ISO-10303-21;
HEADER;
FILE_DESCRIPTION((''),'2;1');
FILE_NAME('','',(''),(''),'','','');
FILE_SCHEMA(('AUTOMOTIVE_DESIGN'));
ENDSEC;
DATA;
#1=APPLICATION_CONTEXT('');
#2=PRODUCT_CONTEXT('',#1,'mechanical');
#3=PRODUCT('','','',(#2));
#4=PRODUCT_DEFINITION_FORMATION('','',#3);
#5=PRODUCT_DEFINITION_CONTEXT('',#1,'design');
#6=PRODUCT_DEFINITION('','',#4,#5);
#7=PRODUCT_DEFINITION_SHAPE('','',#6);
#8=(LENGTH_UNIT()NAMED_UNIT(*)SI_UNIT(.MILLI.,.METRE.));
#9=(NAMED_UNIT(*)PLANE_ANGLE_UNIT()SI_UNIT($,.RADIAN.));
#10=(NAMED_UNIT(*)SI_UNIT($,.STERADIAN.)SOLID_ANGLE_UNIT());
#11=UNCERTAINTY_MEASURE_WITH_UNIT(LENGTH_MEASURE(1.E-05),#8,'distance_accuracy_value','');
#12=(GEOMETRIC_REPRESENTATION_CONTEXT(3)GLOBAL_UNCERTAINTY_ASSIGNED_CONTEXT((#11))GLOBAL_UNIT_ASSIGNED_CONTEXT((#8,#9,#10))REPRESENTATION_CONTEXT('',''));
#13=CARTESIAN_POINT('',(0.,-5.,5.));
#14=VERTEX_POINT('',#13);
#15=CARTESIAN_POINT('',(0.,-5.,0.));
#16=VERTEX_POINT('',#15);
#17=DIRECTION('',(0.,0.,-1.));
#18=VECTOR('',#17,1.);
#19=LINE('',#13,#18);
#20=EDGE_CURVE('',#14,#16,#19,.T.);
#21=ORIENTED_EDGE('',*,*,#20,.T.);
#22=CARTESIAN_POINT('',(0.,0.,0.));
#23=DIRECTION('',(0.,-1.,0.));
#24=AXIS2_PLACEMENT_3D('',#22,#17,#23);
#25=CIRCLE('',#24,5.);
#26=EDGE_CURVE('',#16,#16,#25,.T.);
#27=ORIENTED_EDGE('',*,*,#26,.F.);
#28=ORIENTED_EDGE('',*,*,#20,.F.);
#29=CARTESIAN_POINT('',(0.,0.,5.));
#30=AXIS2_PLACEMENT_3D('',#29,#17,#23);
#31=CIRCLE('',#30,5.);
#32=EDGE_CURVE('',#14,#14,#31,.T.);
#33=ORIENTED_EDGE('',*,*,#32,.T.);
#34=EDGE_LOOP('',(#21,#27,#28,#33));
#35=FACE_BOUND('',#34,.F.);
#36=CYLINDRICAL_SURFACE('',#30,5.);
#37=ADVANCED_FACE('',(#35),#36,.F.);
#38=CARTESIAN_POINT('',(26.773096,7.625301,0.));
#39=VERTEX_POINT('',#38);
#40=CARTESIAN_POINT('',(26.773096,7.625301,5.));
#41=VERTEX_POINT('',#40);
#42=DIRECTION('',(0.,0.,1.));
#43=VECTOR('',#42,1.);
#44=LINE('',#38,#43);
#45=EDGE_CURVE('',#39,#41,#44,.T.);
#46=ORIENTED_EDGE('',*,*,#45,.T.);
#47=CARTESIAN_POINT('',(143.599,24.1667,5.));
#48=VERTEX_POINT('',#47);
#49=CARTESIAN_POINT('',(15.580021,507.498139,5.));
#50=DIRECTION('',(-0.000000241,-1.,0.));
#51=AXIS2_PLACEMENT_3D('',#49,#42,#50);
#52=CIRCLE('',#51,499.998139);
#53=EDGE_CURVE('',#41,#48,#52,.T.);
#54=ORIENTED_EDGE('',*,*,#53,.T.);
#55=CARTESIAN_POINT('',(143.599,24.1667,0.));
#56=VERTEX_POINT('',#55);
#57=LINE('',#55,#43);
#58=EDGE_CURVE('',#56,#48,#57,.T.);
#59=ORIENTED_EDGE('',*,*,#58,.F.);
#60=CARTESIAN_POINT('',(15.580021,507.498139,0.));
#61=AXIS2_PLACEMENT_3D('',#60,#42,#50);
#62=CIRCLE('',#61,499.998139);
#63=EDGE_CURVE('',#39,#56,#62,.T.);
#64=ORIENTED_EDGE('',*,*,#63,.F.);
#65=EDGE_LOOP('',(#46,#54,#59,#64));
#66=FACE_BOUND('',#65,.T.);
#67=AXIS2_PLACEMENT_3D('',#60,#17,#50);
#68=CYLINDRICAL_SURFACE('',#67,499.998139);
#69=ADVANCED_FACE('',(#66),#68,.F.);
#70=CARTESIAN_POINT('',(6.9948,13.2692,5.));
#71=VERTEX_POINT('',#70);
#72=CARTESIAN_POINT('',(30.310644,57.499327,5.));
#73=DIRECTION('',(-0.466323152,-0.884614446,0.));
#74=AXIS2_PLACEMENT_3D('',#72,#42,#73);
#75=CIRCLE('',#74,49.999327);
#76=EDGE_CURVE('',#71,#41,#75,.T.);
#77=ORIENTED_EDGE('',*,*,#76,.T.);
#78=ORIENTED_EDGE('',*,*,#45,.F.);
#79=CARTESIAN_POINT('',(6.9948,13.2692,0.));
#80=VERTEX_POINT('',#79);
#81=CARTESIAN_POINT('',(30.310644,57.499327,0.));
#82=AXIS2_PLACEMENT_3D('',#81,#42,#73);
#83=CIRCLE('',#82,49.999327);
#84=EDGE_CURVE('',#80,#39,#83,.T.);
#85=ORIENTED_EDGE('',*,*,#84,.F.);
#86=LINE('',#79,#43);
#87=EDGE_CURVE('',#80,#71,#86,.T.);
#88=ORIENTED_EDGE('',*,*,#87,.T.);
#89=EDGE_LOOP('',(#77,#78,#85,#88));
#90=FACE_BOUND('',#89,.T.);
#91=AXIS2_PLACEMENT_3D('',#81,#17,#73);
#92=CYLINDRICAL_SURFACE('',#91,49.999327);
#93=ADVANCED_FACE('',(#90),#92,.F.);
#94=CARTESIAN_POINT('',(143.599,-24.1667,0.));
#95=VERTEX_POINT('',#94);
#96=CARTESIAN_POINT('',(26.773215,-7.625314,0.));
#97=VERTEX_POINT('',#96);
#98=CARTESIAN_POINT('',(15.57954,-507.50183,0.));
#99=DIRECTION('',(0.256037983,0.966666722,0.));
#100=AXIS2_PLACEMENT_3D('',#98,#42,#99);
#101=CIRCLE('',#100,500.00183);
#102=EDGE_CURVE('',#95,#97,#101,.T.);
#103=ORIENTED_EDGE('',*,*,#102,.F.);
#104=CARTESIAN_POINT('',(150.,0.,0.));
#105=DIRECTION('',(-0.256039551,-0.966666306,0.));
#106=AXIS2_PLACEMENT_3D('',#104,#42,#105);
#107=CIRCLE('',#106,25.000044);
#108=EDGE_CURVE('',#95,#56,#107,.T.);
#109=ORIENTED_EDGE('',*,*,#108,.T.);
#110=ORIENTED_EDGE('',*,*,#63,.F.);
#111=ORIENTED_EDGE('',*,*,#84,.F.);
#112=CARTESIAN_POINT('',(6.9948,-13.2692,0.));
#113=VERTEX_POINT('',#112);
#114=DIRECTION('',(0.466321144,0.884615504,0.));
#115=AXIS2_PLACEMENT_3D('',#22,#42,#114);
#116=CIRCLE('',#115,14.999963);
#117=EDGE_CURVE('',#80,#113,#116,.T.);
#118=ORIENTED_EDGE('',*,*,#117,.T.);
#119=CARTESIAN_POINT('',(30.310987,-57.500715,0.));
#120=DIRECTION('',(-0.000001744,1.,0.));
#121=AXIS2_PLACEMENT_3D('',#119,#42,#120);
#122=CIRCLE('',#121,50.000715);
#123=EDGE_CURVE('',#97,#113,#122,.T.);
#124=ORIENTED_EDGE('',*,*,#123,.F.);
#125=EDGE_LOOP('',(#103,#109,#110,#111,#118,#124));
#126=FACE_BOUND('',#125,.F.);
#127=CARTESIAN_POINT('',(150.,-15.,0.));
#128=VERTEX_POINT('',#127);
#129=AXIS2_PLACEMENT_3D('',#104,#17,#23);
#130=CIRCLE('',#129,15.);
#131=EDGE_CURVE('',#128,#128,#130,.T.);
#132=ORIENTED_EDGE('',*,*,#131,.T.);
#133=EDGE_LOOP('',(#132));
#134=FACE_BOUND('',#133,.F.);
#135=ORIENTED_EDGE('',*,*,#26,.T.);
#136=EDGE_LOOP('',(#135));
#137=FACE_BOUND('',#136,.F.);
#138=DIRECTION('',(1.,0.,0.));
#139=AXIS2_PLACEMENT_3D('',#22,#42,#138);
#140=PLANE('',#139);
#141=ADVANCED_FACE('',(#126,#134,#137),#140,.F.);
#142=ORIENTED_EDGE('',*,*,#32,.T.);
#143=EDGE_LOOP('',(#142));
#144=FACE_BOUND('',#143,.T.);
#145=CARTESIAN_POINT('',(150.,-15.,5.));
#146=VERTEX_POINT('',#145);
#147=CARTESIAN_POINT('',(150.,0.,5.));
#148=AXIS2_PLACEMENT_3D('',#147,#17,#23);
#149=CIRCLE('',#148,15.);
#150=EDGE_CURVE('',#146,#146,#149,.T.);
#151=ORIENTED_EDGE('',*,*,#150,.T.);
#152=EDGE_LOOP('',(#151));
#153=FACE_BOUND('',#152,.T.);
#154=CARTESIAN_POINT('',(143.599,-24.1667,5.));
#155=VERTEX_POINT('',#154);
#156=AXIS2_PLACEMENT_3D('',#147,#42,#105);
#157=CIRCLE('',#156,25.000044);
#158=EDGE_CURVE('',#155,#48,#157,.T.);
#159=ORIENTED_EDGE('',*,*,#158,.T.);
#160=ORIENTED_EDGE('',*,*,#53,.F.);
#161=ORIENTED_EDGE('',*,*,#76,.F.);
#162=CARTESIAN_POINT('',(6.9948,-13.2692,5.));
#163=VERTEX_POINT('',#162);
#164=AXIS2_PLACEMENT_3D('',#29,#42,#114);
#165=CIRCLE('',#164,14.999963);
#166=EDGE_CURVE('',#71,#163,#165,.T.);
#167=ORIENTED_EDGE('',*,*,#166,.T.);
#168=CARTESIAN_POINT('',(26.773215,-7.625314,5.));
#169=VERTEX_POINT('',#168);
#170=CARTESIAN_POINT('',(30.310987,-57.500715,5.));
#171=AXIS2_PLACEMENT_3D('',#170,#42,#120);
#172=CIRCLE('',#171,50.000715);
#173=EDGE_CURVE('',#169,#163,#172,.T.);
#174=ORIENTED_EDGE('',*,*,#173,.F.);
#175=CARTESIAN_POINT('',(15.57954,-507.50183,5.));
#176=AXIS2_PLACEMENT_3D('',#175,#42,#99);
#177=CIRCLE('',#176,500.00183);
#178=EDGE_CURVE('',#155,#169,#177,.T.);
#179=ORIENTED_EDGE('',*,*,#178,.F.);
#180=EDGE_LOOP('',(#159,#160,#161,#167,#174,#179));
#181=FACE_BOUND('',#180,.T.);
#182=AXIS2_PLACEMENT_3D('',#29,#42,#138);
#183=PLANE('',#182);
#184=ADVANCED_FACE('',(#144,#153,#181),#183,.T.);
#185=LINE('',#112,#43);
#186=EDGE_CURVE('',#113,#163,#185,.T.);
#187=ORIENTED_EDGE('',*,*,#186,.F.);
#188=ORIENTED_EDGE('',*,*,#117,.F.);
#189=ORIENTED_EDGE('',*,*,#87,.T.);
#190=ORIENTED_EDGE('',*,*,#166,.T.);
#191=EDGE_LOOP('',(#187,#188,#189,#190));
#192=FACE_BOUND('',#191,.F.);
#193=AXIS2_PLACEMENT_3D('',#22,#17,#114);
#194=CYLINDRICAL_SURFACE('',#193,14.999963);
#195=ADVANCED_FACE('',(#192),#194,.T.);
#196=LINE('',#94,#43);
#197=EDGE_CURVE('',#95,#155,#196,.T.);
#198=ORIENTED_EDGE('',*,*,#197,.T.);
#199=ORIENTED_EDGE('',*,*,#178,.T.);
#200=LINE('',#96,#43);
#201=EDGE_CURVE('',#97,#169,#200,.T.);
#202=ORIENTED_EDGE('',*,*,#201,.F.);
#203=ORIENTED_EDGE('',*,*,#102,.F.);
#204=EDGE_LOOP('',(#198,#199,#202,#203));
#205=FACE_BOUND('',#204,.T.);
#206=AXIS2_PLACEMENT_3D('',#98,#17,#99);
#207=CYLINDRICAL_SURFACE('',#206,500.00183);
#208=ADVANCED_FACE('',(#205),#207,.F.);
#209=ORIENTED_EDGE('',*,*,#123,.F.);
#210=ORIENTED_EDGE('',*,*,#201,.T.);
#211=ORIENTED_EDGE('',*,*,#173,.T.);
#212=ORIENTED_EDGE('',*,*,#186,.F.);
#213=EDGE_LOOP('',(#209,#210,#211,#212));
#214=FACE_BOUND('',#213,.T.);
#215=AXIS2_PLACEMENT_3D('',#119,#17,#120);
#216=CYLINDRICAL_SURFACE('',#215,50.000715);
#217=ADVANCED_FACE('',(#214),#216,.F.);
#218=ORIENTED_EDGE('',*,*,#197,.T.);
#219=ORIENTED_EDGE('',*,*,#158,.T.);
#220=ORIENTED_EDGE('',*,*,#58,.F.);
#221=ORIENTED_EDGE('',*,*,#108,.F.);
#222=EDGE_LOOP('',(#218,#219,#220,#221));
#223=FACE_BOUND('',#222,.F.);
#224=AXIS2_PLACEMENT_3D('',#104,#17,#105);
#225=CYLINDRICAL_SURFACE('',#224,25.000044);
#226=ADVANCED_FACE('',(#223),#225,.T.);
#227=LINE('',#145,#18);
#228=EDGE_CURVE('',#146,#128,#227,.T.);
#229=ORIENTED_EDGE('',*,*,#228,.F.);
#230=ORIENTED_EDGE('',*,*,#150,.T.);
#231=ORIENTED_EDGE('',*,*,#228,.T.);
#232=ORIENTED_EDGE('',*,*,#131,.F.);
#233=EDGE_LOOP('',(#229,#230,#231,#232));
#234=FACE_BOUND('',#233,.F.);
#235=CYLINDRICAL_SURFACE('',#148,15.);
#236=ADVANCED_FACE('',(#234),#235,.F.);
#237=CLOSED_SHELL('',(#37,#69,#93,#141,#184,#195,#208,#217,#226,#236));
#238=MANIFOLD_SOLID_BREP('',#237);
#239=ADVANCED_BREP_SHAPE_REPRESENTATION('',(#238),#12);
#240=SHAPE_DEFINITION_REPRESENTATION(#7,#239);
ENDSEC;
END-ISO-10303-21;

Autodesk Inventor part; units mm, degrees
ref_plane "YZ Plane" through (0, 0, 0) normal (1, 0, 0) x (0, 1, 0)
ref_plane "XZ Plane" through (0, 0, 0) normal (0, 1, 0) x (-1, 0, 0)
ref_plane "XY Plane" through (0, 0, 0) normal (0, 0, 1) x (1, 0, 0)
sketch "Эскиз1" plane through (0, 0, 0) normal (0, 0, 1) x (1, 0, 0)
  arc A0 (6.9948, 13.2692) -> (6.9948, -13.2692) centre (0, 0) ccw
  line L0 (30.3109, 7.5) -> (15.5799, 7.5)
  line L1 (30.3109, -7.5) -> (15.5799, -7.5)
  arc A1 (143.599, -24.1667) -> (143.599, 24.1667) centre (150, 0) ccw
  arc A2 (6.9948, 13.2692) -> (30.3109, 7.5) centre (30.3109, 57.5) ccw
  arc A3 (30.3109, -7.5) -> (6.9948, -13.2692) centre (30.3109, -57.5) ccw
  arc A4 (15.5799, 7.5) -> (143.599, 24.1667) centre (15.5799, 507.5) ccw
  arc A5 (143.599, -24.1667) -> (15.5799, -7.5) centre (15.5799, -507.5) ccw
  point P0 (12.9904, 7.5)
  point P1 (126.1515, 7.5)
  point P2 (12.9904, -7.5)
  point P3 (126.1515, -7.5)
  point P4 (-12.9904, 7.5)
  point P5 (-12.9904, -7.5)
  point P6 (126.1515, -7.5)
  point P7 (126.1515, 7.5)
  point P8 (12.9904, 7.5)
  point P9 (12.9904, -7.5)
  point P10 (26.7733, 7.6253)
  point P11 (26.7733, -7.6253)
  dimension "d0" = 30
  dimension "d1" = 50
  dimension "d5" = 150
  dimension "d17" = 15
  dimension "d19" = 50
  dimension "d20" = 500
extrude "Выдавливание1" add sketch "Эскиз1" along normal blind 5 contours A5 L1 A3 | A2 L0 A4 | A2 A4 A1 A5 A3 A0
sketch "Эскиз2" plane through (0, 0, 5) normal (0, 0, 1) x (1, 0, 0)
  arc A0 (143.599, -24.1667) -> (143.599, 24.1667) centre (150, 0) ccw projected
  point P0 (0, 0)
  point P1 (0, 0)
  point P2 (88.8197, -10)
  point P3 (88.8197, 10)
  point P4 (142.2738, -12.8571)
  point P5 (142.2738, 12.8571)
hole "Отверстие1" at (0, 0, 5) direction (0, 0, -1) diameter 10 end through all
sketch "Эскиз3" plane through (0, 0, 5) normal (0, 0, 1) x (1, 0, 0)
  arc A0 (143.599, -24.1667) -> (143.599, 24.1667) centre (150, 0) ccw projected
  point P0 (0, 0)
hole "Отверстие2" at (150, 0, 5) direction (0, 0, -1) diameter 30 end through all
properties part number "Рычаг_1"
